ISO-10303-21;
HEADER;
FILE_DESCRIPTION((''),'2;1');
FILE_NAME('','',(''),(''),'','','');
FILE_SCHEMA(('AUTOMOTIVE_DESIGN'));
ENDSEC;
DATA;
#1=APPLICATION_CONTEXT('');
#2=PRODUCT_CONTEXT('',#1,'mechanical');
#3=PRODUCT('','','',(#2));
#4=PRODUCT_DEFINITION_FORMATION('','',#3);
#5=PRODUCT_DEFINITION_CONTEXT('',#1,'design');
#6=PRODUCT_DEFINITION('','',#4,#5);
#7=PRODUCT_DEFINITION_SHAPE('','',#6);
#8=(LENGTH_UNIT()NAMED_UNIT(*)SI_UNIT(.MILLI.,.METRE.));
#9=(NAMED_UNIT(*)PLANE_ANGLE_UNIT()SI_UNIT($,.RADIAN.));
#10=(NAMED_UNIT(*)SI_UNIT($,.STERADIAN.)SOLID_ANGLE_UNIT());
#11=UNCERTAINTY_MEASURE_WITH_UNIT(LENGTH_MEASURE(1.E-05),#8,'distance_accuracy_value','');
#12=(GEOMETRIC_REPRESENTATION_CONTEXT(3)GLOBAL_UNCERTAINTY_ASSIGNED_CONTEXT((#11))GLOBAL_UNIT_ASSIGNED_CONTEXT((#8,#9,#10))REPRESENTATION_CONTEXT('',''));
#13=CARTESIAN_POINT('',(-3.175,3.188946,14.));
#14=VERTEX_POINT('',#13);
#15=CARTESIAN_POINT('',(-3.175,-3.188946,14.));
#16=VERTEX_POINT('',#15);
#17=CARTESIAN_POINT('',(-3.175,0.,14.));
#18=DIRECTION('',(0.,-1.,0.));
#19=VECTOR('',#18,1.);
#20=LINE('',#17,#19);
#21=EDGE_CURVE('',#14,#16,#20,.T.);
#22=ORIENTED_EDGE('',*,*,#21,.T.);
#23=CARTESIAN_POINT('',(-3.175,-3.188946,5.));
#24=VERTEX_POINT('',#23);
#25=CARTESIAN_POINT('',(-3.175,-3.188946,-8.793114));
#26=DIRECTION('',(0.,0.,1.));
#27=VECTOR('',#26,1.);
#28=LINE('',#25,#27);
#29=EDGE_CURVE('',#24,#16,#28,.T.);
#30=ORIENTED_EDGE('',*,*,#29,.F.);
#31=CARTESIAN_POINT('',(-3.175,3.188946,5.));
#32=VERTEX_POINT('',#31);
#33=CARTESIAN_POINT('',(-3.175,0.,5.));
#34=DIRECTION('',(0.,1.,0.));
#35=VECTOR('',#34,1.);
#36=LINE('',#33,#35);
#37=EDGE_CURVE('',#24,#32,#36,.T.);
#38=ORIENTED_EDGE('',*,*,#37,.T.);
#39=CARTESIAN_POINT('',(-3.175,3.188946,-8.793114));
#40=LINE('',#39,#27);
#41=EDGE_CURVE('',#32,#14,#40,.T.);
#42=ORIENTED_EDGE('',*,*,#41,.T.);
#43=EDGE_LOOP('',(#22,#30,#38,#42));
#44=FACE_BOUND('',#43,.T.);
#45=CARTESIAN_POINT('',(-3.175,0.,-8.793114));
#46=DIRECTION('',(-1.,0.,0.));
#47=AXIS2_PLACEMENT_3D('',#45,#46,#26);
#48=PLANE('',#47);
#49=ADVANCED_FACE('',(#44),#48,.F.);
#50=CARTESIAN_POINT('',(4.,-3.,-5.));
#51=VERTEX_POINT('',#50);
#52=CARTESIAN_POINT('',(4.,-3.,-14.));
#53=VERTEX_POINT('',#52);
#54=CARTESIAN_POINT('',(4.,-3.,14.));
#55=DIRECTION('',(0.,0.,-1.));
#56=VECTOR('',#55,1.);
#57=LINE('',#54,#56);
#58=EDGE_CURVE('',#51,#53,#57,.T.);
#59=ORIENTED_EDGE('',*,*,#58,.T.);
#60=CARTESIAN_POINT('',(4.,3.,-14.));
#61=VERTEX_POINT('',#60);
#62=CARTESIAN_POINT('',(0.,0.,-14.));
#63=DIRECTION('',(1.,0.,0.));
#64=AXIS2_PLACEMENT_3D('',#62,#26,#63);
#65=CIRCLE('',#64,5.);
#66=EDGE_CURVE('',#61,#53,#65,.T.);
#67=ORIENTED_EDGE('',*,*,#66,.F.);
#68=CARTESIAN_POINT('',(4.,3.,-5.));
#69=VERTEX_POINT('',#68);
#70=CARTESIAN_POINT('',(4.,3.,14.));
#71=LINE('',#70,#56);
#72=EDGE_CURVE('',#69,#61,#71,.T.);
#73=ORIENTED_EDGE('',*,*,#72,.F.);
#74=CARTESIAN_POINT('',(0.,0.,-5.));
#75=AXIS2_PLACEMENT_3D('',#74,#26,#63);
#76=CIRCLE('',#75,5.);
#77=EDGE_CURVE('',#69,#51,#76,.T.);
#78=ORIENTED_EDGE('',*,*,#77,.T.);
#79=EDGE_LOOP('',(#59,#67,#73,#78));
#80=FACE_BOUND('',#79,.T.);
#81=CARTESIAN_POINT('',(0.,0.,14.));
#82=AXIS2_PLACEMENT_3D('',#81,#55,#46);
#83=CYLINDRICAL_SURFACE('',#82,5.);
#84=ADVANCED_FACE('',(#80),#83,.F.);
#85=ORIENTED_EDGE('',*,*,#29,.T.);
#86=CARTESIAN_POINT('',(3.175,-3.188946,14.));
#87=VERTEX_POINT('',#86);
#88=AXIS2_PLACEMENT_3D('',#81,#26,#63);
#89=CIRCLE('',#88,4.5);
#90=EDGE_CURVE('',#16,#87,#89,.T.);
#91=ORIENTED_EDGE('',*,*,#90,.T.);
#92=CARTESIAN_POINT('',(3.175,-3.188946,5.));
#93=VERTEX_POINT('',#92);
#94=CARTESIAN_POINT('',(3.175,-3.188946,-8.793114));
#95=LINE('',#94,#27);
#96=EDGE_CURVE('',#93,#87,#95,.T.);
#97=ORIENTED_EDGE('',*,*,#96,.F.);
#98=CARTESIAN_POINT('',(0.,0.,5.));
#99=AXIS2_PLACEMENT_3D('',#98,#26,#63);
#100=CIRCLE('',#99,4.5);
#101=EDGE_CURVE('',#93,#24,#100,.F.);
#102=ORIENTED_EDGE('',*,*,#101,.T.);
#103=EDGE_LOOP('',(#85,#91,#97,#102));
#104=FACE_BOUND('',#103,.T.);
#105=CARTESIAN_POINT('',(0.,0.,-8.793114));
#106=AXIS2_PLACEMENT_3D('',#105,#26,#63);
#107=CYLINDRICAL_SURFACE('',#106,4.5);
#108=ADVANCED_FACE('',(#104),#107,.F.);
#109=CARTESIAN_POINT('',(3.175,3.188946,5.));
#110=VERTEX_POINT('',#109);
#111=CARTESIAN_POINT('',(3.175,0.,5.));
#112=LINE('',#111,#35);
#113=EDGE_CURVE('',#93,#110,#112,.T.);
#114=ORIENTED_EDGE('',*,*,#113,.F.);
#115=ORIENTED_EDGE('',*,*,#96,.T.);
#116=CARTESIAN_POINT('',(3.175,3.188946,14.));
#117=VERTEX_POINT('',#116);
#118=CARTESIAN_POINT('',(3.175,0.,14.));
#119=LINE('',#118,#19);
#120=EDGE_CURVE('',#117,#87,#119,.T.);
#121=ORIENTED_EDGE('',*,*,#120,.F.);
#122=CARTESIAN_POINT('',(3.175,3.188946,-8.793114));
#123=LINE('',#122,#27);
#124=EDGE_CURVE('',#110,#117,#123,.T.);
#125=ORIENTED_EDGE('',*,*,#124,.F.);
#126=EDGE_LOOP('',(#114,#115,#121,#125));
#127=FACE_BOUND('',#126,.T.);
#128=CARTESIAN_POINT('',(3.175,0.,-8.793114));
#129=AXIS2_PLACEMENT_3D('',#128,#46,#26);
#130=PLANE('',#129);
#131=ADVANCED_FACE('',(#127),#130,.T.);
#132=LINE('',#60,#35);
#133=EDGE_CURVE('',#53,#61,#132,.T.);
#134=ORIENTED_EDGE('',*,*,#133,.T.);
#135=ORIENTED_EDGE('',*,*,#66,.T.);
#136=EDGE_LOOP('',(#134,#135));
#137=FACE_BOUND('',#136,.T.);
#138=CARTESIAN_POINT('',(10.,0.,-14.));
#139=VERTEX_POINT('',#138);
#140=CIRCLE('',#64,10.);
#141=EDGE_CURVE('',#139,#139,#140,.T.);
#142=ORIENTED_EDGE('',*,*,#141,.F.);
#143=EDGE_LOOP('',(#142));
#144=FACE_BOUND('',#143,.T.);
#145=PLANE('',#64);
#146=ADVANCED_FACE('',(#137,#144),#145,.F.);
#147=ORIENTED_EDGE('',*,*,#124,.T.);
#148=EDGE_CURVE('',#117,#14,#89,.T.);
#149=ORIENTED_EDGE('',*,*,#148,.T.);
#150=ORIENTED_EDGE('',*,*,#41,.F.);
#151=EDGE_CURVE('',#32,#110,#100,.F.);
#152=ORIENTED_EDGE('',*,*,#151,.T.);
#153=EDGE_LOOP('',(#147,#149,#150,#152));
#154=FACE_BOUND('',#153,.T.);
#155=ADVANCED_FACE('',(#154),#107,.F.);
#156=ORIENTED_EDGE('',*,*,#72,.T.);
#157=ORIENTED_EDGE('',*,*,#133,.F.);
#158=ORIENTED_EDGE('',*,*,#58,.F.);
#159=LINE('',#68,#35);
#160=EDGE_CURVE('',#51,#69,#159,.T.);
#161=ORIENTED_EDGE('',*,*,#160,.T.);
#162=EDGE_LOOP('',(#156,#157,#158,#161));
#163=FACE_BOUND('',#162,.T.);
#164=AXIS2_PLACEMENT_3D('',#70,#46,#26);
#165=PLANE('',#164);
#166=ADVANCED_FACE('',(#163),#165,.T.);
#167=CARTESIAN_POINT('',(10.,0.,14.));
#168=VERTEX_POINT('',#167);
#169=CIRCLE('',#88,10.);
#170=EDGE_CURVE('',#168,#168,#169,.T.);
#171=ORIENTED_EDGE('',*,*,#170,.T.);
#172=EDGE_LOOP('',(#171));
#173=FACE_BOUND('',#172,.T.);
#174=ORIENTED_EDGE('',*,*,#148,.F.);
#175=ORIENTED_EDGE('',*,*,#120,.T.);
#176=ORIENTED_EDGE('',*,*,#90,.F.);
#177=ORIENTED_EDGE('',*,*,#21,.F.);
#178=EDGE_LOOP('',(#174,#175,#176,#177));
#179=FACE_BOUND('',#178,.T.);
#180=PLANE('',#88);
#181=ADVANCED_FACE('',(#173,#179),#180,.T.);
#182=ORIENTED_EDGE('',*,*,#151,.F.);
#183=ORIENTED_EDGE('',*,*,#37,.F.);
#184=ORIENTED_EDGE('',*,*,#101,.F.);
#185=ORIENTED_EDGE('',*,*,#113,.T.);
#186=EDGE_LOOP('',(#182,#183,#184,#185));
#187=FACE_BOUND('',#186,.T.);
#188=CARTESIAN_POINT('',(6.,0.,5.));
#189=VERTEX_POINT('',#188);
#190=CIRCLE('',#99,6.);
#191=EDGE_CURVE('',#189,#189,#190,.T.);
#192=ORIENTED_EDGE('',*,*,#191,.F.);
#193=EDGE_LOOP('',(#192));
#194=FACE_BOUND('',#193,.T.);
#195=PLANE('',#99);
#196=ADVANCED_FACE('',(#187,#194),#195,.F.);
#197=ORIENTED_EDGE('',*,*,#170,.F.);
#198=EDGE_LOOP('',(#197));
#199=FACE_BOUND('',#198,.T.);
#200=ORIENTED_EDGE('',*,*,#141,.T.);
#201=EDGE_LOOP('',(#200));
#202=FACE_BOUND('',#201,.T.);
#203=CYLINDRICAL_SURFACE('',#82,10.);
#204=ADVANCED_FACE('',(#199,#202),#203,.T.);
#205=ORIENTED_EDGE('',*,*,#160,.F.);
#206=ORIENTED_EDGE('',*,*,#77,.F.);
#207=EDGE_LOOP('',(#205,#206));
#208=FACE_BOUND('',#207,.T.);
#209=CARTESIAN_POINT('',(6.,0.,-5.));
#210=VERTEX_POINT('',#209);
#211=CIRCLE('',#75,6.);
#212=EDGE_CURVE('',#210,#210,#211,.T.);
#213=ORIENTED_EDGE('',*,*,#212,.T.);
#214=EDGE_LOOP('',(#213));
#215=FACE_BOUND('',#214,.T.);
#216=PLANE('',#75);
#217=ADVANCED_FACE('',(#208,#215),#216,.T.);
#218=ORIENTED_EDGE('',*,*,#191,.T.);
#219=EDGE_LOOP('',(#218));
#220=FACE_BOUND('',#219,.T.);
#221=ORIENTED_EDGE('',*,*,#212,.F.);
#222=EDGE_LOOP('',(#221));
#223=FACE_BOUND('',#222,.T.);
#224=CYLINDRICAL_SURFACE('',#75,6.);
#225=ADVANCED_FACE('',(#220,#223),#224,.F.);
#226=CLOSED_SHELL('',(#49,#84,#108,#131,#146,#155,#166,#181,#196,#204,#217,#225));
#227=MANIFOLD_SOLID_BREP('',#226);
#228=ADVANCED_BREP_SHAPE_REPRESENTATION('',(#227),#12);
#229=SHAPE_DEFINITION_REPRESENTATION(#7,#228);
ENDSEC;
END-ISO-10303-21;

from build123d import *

# Parameters (mm, degrees)
SKETCH_1_R          = 10
EXTRUDE_1_DEPTH     = 14
SKETCH_3_R          = 6
CUT_EXTRUDE_1_DEPTH = 5
SKETCH_2_R          = 4.5
EXTRUDE_2_DEPTH     = 9


with BuildPart() as part:
    # 草图1 → 凸台-拉伸1 (new, symmetric)
    with BuildSketch(Plane.XY):
        Circle(SKETCH_1_R)
        with BuildLine():
            Line((4, 3), (4, -3))
            ThreePointArc((4, -3), (-5, 0), (4, 3))
        make_face(mode=Mode.SUBTRACT)
    extrude(amount=EXTRUDE_1_DEPTH, both=True)

    # 草图3 → 切除-拉伸1 (cut, symmetric)
    with BuildSketch(Plane.XY):
        Circle(SKETCH_3_R)
    extrude(amount=CUT_EXTRUDE_1_DEPTH, both=True, mode=Mode.SUBTRACT)

    # 草图2 → 凸台-拉伸2 (add)
    # profile 1 of 4: a face of its own
    with BuildSketch(Plane.XY.offset(14)):
        with BuildLine():
            Line((4, 3), (4, -3))
            ThreePointArc((4, -3), (-5, 0), (4, 3))
        make_face()
        Circle(SKETCH_2_R, mode=Mode.SUBTRACT)
    # profile 2 of 4: a face of its own
    with BuildSketch(Plane.XY.offset(14)):
        with BuildLine():
            ThreePointArc((-3.175, 3.188945751), (-4.5, 0), (-3.175, -3.188945751))
            Line((-3.175, -3.188945751), (-3.175, 3.188945751))
        make_face()
    # profile 3 of 4: a face of its own
    with BuildSketch(Plane.XY.offset(14)):
        with BuildLine():
            Line((4, 2.061552813), (4, -2.061552813))
            ThreePointArc((4, -2.061552813), (4.373213921, -1.060660172), (4.5, 0))
            ThreePointArc((4.5, 0), (4.373213921, 1.060660172), (4, 2.061552813))
        make_face()
    # profile 4 of 4: a face of its own
    with BuildSketch(Plane.XY.offset(14)):
        with BuildLine():
            ThreePointArc((3.175, -3.188945751), (3.631516207, -2.657459321), (4, -2.061552813))
            Line((4, -2.061552813), (4, 2.061552813))
            ThreePointArc((4, 2.061552813), (3.631516207, 2.657459321), (3.175, 3.188945751))
            Line((3.175, 3.188945751), (3.175, -3.188945751))
        make_face()
    extrude(amount=-EXTRUDE_2_DEPTH)


solid = part.part
